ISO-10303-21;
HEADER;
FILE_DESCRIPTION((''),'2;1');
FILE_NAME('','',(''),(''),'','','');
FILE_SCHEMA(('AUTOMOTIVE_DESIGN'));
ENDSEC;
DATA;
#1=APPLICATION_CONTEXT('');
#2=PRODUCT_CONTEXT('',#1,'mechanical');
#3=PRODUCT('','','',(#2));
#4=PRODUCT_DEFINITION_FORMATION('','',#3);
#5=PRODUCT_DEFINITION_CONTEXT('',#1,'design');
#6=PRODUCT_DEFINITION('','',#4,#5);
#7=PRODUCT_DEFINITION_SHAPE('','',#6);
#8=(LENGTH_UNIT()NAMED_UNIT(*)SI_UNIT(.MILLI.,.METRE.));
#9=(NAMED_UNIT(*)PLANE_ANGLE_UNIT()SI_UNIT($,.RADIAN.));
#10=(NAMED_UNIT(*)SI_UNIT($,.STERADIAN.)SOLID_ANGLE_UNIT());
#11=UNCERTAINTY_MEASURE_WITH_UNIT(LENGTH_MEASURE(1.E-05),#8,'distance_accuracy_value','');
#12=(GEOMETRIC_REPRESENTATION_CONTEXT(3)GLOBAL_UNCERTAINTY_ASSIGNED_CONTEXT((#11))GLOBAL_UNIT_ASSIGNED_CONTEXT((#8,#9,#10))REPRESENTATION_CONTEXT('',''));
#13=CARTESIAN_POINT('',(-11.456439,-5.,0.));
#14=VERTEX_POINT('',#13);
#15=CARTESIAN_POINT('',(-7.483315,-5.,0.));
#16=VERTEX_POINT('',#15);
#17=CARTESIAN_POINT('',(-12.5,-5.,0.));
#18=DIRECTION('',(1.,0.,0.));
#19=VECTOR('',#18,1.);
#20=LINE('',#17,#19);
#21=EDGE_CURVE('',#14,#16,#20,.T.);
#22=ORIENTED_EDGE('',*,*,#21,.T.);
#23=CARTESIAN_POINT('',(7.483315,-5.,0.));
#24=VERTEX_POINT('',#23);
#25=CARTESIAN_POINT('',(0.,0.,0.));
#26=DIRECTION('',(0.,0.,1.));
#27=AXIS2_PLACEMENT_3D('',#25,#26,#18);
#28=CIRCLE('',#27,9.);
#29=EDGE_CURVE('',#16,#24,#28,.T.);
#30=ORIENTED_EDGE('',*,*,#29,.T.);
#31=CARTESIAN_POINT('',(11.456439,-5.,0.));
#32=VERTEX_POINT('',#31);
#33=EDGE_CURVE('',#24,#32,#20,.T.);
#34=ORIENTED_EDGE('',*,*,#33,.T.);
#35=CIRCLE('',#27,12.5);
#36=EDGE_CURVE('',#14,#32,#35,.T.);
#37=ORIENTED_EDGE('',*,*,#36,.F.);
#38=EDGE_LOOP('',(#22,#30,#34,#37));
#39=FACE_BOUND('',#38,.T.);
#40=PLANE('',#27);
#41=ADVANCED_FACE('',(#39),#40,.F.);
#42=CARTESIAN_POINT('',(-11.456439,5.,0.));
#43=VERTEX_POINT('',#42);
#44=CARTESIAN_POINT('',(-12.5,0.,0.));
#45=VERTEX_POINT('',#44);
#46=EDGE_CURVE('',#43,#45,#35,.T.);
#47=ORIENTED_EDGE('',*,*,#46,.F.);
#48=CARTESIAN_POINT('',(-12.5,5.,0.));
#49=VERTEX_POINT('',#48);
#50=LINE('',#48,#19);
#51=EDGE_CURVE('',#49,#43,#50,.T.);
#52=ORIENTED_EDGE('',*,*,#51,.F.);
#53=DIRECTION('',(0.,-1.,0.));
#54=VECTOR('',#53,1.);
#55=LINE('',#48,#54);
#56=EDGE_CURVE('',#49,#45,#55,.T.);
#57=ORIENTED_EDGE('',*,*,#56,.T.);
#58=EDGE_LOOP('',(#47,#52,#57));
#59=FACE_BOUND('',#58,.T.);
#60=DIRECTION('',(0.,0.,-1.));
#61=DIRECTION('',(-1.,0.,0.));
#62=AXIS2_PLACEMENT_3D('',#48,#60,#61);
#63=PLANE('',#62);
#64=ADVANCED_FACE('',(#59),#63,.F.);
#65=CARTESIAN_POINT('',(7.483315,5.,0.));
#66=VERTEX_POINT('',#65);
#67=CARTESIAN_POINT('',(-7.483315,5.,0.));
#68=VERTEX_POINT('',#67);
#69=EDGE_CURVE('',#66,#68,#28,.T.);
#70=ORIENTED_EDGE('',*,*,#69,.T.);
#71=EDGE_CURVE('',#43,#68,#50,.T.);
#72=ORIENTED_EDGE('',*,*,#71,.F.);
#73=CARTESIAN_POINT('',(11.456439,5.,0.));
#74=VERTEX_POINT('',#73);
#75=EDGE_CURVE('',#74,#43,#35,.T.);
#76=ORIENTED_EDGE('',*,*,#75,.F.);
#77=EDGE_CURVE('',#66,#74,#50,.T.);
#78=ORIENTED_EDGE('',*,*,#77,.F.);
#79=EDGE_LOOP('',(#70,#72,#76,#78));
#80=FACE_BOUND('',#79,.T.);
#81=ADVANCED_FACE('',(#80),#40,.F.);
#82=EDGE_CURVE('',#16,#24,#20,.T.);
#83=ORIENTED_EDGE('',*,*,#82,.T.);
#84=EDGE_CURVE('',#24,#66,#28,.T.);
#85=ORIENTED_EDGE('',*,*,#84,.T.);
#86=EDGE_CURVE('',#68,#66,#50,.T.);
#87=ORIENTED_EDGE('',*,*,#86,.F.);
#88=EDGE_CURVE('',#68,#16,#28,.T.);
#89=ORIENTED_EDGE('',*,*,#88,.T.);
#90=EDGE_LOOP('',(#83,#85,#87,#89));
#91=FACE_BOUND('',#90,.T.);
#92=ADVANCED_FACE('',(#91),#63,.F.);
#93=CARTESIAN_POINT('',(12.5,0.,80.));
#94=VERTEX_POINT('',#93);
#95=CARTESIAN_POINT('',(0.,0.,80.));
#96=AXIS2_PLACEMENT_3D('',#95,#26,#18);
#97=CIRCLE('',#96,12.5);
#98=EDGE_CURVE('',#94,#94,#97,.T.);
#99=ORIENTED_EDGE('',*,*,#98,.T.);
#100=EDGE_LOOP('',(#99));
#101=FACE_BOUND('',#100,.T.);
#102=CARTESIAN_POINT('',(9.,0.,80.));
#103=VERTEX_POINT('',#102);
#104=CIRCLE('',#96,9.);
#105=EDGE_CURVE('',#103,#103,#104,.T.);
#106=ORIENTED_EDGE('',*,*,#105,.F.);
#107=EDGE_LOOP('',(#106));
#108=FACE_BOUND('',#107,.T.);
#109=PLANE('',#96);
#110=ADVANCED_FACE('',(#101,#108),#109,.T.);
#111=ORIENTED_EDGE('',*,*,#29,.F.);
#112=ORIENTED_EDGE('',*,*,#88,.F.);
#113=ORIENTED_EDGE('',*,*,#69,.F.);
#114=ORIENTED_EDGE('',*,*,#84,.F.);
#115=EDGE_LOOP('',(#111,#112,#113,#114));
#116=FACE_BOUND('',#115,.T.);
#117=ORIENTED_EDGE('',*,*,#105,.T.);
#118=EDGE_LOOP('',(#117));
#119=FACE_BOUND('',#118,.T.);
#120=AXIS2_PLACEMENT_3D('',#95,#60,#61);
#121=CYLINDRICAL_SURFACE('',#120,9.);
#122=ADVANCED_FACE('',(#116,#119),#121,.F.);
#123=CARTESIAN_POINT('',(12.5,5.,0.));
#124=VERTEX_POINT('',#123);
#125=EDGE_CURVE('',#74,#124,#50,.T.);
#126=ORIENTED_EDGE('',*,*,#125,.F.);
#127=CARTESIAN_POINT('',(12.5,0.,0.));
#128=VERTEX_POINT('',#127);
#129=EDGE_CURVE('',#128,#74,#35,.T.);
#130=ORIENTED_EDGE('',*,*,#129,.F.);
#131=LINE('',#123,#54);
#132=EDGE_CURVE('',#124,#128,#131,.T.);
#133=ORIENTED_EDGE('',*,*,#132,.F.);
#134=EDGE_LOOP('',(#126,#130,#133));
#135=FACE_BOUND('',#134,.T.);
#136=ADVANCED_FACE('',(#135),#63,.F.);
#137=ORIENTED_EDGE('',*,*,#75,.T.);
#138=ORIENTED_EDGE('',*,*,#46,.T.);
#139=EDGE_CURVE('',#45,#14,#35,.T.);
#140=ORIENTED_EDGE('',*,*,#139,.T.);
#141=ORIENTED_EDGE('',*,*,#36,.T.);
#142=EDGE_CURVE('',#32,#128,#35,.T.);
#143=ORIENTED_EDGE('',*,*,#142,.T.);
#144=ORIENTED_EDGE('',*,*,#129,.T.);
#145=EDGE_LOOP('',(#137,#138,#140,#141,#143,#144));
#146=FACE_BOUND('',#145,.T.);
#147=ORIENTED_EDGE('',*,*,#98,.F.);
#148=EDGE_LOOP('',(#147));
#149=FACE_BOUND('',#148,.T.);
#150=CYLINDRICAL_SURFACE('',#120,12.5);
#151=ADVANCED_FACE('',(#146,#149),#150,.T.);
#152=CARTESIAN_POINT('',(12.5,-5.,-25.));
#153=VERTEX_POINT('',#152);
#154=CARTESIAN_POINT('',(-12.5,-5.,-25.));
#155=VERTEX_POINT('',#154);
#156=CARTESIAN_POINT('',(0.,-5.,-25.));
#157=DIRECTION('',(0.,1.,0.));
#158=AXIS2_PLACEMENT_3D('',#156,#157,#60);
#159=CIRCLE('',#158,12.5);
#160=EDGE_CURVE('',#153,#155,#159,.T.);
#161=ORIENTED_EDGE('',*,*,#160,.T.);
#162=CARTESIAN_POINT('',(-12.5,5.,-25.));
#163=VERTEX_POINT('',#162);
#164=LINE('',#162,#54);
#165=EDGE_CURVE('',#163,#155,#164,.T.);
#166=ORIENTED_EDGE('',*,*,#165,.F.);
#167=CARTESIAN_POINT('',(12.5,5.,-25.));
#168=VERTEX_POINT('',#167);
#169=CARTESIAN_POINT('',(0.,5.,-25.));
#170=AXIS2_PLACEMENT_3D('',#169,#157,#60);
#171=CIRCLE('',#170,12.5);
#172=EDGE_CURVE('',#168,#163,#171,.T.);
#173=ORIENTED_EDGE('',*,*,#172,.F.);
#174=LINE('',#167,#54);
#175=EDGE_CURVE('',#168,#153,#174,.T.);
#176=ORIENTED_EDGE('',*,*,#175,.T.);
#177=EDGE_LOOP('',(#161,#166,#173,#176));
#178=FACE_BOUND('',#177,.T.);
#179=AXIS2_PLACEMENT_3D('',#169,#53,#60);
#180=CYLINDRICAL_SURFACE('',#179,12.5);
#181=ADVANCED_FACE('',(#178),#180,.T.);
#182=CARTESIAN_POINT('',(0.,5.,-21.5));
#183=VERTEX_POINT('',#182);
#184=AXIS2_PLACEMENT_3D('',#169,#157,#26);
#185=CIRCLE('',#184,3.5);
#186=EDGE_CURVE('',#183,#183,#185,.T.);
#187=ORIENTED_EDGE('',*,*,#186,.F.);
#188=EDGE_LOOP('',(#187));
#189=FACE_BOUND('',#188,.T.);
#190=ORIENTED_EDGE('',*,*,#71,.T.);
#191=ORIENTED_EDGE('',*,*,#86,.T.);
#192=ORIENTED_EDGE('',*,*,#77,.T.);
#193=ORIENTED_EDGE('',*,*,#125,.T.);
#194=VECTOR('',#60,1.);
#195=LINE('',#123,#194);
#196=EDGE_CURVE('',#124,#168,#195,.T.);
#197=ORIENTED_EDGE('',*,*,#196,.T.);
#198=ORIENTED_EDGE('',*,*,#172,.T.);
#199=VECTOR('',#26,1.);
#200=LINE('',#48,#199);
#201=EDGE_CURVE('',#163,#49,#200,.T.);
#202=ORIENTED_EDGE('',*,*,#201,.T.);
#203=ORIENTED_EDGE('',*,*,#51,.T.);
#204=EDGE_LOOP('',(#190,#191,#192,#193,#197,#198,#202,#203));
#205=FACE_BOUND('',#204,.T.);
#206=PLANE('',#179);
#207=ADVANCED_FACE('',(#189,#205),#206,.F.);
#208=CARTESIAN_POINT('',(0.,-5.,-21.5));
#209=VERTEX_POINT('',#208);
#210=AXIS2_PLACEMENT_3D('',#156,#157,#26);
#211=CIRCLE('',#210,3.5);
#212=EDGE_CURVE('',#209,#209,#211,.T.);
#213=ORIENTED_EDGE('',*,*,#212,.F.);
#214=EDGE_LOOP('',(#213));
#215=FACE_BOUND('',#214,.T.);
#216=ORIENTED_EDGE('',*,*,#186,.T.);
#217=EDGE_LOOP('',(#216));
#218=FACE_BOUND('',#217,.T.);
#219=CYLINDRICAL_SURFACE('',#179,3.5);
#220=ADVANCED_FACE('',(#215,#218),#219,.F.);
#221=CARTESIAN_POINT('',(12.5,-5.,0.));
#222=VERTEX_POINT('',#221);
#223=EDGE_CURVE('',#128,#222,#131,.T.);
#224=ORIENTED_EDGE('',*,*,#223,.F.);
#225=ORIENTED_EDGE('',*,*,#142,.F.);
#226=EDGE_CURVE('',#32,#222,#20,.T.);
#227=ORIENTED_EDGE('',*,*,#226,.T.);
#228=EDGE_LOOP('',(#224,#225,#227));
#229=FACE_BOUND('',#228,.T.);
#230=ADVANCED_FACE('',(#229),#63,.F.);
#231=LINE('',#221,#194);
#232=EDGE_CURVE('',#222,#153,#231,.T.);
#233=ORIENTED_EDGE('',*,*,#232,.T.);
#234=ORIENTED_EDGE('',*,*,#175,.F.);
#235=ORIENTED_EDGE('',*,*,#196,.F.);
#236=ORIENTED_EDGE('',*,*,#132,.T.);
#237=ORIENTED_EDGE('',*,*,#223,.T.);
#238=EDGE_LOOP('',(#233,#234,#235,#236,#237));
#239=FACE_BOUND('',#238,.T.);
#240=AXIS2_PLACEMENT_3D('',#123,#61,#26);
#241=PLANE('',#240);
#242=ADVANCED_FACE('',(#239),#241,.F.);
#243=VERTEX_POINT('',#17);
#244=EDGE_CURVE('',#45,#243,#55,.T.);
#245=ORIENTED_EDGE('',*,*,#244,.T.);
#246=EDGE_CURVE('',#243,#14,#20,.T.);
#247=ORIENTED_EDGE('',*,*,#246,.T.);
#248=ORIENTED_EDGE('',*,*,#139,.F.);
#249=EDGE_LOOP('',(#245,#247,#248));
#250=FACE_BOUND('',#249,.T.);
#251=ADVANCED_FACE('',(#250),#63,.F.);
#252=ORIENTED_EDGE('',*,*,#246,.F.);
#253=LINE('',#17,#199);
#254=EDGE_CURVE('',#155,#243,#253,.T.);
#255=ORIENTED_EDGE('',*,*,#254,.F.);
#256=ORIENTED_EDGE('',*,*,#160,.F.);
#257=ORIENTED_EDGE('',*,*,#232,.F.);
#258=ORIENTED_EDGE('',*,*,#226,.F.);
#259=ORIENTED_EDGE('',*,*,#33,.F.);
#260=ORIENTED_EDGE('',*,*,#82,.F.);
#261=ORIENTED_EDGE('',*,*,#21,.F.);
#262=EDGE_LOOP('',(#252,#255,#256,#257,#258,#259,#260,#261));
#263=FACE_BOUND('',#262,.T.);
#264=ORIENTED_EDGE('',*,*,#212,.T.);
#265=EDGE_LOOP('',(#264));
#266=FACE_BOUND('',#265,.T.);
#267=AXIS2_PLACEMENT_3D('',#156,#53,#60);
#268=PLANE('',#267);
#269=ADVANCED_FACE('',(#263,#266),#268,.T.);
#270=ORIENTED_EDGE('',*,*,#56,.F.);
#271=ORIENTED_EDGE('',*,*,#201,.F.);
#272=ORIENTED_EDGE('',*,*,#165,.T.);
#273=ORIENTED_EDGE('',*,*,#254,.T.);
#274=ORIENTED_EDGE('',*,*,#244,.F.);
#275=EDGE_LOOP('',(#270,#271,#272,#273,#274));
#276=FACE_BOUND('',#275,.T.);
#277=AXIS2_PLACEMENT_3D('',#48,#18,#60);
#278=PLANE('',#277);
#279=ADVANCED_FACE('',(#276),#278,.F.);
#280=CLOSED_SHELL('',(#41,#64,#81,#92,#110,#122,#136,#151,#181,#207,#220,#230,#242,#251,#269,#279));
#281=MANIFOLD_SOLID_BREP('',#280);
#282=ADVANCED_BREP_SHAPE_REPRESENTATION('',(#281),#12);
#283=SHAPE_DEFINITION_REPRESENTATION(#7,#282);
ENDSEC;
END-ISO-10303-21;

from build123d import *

# Parameters (mm, degrees)
SKETCH1_R           = 12.5
SKETCH1_R_2         = 9
BOSS_EXTRUDE1_DEPTH = 80
SKETCH2_R           = 3.5
BOSS_EXTRUDE2_DEPTH = 5


with BuildPart() as part:
    # Sketch1 → Boss-Extrude1 (new body)
    with BuildSketch(Plane.XY):
        Circle(SKETCH1_R)
        Circle(SKETCH1_R_2, mode=Mode.SUBTRACT)
    extrude(amount=BOSS_EXTRUDE1_DEPTH)

    # Sketch2 → Boss-Extrude2 (add, symmetric)
    with BuildSketch(Plane(origin=(0, 0, 0), x_dir=(1, 0, 0), z_dir=(0, 1, 0))):
        with BuildLine():
            Line((-12.5, 0), (12.5, 0))
            Line((12.5, 0), (12.5, 25))
            ThreePointArc((12.5, 25), (0, 37.5), (-12.5, 25))
            Line((-12.5, 25), (-12.5, 0))
        make_face()
        with Locations((0, 25)):
            Circle(SKETCH2_R, mode=Mode.SUBTRACT)
    extrude(amount=BOSS_EXTRUDE2_DEPTH, both=True)


solid = part.part
